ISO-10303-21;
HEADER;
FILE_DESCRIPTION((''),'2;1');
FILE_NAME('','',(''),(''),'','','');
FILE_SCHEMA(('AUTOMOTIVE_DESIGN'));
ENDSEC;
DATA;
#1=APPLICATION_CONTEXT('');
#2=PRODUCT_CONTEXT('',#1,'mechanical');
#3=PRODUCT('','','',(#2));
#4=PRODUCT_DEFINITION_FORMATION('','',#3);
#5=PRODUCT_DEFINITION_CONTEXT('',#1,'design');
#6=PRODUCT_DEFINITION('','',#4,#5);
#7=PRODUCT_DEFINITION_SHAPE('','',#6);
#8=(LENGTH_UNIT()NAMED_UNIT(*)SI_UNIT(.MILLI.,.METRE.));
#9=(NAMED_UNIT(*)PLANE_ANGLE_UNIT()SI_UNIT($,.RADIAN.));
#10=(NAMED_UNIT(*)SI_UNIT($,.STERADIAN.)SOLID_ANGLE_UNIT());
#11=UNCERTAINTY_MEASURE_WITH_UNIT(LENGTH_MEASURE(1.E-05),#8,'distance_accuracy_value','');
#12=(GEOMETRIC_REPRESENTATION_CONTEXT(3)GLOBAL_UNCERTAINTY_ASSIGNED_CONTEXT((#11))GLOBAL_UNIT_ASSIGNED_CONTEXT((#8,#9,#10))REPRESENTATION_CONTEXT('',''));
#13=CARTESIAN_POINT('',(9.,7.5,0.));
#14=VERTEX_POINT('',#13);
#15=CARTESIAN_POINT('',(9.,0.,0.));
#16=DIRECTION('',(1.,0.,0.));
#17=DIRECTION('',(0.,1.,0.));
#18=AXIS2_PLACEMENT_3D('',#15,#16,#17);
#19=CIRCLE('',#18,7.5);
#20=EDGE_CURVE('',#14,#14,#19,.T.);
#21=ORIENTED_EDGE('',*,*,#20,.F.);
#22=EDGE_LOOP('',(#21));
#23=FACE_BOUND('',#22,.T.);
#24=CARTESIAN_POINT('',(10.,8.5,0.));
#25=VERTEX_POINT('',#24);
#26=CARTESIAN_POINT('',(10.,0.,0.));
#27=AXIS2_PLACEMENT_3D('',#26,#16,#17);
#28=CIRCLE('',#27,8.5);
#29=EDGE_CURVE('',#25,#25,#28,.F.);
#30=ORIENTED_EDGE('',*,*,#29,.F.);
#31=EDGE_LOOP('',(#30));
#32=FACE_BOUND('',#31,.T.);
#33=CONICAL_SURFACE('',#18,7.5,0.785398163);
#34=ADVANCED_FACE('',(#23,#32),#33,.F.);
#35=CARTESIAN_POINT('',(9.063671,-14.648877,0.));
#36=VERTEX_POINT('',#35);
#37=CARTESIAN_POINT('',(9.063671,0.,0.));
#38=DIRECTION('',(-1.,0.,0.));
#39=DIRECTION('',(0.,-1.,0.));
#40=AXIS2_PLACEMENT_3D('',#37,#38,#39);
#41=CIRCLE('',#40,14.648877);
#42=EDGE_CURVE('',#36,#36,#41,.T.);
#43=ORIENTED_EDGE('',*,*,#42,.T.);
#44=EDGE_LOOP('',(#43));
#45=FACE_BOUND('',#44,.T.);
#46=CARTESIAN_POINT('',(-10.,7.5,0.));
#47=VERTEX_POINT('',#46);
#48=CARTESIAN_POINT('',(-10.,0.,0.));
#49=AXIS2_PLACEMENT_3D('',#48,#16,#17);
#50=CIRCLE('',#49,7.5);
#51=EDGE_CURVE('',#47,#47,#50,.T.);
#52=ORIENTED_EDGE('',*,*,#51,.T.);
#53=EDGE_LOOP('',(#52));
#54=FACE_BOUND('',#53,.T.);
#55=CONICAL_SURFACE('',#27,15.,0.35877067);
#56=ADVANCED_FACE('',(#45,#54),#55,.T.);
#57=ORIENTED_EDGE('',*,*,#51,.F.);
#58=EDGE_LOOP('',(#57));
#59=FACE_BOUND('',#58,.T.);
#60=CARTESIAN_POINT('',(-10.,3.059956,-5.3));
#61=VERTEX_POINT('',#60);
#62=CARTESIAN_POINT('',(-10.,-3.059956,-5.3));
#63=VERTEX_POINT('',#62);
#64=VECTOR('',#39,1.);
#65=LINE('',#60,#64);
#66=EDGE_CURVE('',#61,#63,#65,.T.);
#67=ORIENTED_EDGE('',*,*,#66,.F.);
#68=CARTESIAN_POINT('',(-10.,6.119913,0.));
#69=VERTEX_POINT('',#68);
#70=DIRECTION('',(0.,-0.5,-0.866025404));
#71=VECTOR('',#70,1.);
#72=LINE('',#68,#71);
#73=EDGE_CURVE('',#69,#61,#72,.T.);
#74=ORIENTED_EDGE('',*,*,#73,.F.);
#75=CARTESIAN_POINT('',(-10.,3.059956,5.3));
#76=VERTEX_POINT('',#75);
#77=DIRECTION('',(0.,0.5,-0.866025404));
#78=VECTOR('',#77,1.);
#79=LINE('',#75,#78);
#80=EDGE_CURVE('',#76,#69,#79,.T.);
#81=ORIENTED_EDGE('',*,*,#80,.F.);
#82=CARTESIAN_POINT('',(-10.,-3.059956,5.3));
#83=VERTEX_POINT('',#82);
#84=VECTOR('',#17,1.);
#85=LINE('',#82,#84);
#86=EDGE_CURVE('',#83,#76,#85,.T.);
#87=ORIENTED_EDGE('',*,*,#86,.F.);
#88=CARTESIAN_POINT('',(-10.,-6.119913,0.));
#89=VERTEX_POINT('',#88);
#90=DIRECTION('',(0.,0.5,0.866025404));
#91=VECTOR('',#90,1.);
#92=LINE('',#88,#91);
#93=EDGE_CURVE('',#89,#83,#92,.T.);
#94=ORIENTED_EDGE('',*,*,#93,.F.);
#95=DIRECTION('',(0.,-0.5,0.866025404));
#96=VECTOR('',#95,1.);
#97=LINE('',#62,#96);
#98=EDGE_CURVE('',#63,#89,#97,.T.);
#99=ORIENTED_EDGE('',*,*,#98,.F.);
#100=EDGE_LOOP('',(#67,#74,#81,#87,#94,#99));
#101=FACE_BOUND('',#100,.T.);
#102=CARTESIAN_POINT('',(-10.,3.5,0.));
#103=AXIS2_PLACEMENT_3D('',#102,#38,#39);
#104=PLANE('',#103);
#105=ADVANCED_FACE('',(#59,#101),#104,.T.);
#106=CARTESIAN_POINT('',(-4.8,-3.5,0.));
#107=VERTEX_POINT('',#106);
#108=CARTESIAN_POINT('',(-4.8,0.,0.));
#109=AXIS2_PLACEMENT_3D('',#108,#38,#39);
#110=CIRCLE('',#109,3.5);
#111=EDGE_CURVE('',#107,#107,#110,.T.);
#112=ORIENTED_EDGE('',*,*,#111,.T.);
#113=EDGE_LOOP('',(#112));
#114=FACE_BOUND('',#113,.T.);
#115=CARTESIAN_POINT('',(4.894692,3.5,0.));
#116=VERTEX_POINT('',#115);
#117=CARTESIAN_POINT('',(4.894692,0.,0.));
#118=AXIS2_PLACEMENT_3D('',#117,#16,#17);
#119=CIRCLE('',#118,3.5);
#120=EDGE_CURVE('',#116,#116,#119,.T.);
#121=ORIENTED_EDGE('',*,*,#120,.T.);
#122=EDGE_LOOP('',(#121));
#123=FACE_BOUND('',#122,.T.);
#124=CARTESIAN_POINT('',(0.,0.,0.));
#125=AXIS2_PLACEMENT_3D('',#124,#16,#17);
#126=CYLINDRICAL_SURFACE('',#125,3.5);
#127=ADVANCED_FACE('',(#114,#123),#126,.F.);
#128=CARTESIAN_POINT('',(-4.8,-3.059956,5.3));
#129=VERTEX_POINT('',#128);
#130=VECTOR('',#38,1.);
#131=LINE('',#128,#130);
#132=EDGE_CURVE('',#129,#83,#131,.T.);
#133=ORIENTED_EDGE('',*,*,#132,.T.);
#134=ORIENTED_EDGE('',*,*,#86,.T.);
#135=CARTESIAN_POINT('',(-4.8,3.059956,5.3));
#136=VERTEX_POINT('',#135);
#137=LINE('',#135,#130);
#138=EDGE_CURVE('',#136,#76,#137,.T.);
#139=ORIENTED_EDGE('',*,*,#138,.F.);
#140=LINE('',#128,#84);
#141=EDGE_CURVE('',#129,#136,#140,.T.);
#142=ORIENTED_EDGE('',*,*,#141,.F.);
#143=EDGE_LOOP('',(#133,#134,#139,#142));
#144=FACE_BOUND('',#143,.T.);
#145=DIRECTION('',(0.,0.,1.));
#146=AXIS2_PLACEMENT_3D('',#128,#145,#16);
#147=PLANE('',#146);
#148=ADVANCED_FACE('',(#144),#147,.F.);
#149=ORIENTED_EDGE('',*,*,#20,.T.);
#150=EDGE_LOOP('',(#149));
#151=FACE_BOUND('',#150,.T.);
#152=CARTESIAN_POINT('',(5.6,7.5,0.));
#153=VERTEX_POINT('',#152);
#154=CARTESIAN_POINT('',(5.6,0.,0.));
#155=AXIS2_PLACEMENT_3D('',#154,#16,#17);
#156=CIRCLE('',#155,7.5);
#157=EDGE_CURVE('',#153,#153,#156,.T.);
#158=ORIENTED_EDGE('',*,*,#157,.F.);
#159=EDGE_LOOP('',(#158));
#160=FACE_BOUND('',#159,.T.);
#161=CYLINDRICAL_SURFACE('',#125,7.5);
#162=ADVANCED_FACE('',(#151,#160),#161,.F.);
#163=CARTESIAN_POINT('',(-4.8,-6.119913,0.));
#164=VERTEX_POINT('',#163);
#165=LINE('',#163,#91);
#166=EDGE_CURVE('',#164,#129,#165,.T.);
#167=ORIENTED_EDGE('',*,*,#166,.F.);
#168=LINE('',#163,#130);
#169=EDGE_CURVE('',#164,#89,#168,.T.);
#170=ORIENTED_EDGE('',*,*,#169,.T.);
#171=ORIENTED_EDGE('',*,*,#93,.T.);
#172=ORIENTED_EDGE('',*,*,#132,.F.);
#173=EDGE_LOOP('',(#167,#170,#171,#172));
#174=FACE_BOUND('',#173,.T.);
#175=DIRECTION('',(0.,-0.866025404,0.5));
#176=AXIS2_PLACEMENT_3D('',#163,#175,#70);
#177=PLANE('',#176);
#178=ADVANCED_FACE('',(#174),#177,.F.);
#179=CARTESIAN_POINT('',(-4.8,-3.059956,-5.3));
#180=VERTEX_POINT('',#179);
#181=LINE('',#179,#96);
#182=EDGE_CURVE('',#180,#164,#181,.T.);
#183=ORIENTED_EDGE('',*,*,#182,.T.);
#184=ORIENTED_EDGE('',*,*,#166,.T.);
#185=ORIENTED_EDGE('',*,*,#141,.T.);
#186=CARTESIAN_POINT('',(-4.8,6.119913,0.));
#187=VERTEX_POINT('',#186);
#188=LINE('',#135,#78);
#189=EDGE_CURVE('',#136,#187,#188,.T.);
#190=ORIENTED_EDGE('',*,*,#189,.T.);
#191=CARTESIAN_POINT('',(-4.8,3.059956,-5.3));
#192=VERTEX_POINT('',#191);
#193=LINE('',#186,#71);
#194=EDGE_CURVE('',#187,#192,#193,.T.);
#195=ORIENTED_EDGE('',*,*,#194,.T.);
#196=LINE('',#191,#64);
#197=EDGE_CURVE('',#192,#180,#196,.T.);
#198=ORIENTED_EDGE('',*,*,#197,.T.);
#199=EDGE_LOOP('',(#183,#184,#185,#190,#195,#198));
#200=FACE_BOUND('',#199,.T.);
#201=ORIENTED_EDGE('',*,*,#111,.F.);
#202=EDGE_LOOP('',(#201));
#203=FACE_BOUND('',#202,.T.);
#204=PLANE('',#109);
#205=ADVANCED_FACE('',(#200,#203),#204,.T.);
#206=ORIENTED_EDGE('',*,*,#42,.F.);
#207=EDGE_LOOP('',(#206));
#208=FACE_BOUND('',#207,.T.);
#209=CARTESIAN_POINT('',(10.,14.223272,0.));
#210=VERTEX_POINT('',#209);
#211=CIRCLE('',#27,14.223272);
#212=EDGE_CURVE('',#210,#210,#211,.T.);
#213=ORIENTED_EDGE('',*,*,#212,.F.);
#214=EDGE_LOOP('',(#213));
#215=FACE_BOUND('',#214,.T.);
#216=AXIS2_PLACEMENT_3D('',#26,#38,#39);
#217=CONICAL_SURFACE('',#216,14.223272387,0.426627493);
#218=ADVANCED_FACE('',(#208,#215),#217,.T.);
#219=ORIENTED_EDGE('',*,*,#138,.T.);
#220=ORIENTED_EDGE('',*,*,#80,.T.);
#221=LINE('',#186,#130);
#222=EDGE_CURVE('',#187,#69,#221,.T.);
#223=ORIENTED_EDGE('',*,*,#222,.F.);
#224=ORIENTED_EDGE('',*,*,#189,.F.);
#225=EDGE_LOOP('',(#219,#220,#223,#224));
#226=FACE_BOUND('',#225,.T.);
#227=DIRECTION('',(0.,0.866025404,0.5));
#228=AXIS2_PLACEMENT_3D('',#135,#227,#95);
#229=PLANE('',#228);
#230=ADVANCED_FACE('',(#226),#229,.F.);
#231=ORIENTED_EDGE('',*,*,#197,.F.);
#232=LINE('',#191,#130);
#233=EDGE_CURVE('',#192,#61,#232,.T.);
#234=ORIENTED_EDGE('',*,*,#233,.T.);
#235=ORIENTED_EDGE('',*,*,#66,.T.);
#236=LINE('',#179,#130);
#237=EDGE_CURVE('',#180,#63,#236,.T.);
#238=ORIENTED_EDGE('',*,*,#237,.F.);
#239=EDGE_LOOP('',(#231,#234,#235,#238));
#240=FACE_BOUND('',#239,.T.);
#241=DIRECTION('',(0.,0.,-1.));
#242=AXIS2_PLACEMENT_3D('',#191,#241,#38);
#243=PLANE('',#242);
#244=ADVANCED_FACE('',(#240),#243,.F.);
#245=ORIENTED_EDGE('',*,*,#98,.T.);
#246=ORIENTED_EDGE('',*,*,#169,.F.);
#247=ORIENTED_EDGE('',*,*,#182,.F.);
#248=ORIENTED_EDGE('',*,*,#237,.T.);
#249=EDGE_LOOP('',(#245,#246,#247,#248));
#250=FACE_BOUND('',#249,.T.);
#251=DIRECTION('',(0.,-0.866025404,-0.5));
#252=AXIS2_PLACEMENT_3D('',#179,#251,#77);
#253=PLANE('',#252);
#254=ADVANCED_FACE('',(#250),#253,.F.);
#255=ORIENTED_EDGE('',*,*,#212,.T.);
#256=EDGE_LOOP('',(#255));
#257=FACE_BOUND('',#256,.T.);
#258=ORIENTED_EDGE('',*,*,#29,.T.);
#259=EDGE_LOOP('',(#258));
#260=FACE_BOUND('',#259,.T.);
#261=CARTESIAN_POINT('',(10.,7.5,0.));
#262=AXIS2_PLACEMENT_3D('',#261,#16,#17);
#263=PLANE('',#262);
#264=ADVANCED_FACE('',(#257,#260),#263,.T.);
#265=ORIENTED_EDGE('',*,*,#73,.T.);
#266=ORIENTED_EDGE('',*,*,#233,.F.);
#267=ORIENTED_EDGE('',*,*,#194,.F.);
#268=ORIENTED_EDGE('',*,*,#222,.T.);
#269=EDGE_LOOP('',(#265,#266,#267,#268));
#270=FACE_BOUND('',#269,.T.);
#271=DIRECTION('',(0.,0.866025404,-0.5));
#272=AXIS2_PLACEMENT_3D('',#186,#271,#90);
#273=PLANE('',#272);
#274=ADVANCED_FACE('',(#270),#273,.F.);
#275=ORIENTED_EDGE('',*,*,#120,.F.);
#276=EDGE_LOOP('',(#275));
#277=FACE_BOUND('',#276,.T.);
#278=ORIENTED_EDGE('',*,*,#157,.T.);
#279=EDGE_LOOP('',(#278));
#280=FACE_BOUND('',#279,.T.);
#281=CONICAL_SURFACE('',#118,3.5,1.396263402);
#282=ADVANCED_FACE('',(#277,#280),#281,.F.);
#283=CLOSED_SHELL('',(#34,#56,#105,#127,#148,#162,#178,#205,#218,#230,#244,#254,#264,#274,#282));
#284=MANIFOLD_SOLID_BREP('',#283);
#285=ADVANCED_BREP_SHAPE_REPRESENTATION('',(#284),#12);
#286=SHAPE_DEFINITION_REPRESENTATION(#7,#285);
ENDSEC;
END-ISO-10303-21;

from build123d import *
from OCP.BRepFilletAPI import BRepFilletAPI_MakeChamfer

# Parameters (mm, degrees)
CORTAR_EXTRUIR1_DEPTH = 5.2
CHAFL_N1_SIZE         = 1
CHAFL_N1_SIZE2        = 0.776727613


with BuildPart() as part:
    # Croquis1 → Revolución1 (revolve)
    with BuildSketch(Plane(origin=(0, 0, 0), x_dir=(0, 1, 0), z_dir=(0, 0, 1))):
        Polygon((7.5, -10), (15, -10), (7.5, 10), (3.5, 10), (3.5, -4.894692077), (7.5, -5.6), align=None)
    revolve(axis=Axis((0, 0, 0), (-1, 0, 0)))

    # Croquis2 → Cortar-Extruir1 (cut)
    with BuildSketch(Plane(origin=(-10, 0, 0), x_dir=(0, -1, 0), z_dir=(-1, 0, 0))):
        Polygon((3.059956427, -5.3), (6.119912853, 0), (3.059956427, 5.3), (-3.059956427, 5.3), (-6.119912853, 0), (-3.059956427, -5.3), align=None)
    extrude(amount=-CORTAR_EXTRUIR1_DEPTH, mode=Mode.SUBTRACT)

    # Chaflán1: one chamfer whose edges measure the first distance from different faces: ONE call of the kernel's chamfer builder (chamfer() names one face for all edges)
    chafl_n1_edges_1 = [part.edges().sort_by_distance(p)[0] for p in [
        (10, -7.5, 0),
    ]]
    chafl_n1_edges_2 = [part.edges().sort_by_distance(p)[0] for p in [
        (10, -15, 0),
    ]]
    chafl_n1_side_2 = [part.faces().sort_by_distance(p)[0] for p in [
        (0, -11.25, 0),
    ]]
    chafl_n1 = BRepFilletAPI_MakeChamfer(part.part.solid().wrapped)
    for e in chafl_n1_edges_1:
        chafl_n1.Add(CHAFL_N1_SIZE, e.wrapped)
    for e in chafl_n1_edges_2:
        chafl_n1.Add(CHAFL_N1_SIZE, CHAFL_N1_SIZE2, e.wrapped, chafl_n1_side_2[0].wrapped)  # the first distance lies on this face
    add(Compound.cast(chafl_n1.Shape()), mode=Mode.REPLACE)


solid = part.part
